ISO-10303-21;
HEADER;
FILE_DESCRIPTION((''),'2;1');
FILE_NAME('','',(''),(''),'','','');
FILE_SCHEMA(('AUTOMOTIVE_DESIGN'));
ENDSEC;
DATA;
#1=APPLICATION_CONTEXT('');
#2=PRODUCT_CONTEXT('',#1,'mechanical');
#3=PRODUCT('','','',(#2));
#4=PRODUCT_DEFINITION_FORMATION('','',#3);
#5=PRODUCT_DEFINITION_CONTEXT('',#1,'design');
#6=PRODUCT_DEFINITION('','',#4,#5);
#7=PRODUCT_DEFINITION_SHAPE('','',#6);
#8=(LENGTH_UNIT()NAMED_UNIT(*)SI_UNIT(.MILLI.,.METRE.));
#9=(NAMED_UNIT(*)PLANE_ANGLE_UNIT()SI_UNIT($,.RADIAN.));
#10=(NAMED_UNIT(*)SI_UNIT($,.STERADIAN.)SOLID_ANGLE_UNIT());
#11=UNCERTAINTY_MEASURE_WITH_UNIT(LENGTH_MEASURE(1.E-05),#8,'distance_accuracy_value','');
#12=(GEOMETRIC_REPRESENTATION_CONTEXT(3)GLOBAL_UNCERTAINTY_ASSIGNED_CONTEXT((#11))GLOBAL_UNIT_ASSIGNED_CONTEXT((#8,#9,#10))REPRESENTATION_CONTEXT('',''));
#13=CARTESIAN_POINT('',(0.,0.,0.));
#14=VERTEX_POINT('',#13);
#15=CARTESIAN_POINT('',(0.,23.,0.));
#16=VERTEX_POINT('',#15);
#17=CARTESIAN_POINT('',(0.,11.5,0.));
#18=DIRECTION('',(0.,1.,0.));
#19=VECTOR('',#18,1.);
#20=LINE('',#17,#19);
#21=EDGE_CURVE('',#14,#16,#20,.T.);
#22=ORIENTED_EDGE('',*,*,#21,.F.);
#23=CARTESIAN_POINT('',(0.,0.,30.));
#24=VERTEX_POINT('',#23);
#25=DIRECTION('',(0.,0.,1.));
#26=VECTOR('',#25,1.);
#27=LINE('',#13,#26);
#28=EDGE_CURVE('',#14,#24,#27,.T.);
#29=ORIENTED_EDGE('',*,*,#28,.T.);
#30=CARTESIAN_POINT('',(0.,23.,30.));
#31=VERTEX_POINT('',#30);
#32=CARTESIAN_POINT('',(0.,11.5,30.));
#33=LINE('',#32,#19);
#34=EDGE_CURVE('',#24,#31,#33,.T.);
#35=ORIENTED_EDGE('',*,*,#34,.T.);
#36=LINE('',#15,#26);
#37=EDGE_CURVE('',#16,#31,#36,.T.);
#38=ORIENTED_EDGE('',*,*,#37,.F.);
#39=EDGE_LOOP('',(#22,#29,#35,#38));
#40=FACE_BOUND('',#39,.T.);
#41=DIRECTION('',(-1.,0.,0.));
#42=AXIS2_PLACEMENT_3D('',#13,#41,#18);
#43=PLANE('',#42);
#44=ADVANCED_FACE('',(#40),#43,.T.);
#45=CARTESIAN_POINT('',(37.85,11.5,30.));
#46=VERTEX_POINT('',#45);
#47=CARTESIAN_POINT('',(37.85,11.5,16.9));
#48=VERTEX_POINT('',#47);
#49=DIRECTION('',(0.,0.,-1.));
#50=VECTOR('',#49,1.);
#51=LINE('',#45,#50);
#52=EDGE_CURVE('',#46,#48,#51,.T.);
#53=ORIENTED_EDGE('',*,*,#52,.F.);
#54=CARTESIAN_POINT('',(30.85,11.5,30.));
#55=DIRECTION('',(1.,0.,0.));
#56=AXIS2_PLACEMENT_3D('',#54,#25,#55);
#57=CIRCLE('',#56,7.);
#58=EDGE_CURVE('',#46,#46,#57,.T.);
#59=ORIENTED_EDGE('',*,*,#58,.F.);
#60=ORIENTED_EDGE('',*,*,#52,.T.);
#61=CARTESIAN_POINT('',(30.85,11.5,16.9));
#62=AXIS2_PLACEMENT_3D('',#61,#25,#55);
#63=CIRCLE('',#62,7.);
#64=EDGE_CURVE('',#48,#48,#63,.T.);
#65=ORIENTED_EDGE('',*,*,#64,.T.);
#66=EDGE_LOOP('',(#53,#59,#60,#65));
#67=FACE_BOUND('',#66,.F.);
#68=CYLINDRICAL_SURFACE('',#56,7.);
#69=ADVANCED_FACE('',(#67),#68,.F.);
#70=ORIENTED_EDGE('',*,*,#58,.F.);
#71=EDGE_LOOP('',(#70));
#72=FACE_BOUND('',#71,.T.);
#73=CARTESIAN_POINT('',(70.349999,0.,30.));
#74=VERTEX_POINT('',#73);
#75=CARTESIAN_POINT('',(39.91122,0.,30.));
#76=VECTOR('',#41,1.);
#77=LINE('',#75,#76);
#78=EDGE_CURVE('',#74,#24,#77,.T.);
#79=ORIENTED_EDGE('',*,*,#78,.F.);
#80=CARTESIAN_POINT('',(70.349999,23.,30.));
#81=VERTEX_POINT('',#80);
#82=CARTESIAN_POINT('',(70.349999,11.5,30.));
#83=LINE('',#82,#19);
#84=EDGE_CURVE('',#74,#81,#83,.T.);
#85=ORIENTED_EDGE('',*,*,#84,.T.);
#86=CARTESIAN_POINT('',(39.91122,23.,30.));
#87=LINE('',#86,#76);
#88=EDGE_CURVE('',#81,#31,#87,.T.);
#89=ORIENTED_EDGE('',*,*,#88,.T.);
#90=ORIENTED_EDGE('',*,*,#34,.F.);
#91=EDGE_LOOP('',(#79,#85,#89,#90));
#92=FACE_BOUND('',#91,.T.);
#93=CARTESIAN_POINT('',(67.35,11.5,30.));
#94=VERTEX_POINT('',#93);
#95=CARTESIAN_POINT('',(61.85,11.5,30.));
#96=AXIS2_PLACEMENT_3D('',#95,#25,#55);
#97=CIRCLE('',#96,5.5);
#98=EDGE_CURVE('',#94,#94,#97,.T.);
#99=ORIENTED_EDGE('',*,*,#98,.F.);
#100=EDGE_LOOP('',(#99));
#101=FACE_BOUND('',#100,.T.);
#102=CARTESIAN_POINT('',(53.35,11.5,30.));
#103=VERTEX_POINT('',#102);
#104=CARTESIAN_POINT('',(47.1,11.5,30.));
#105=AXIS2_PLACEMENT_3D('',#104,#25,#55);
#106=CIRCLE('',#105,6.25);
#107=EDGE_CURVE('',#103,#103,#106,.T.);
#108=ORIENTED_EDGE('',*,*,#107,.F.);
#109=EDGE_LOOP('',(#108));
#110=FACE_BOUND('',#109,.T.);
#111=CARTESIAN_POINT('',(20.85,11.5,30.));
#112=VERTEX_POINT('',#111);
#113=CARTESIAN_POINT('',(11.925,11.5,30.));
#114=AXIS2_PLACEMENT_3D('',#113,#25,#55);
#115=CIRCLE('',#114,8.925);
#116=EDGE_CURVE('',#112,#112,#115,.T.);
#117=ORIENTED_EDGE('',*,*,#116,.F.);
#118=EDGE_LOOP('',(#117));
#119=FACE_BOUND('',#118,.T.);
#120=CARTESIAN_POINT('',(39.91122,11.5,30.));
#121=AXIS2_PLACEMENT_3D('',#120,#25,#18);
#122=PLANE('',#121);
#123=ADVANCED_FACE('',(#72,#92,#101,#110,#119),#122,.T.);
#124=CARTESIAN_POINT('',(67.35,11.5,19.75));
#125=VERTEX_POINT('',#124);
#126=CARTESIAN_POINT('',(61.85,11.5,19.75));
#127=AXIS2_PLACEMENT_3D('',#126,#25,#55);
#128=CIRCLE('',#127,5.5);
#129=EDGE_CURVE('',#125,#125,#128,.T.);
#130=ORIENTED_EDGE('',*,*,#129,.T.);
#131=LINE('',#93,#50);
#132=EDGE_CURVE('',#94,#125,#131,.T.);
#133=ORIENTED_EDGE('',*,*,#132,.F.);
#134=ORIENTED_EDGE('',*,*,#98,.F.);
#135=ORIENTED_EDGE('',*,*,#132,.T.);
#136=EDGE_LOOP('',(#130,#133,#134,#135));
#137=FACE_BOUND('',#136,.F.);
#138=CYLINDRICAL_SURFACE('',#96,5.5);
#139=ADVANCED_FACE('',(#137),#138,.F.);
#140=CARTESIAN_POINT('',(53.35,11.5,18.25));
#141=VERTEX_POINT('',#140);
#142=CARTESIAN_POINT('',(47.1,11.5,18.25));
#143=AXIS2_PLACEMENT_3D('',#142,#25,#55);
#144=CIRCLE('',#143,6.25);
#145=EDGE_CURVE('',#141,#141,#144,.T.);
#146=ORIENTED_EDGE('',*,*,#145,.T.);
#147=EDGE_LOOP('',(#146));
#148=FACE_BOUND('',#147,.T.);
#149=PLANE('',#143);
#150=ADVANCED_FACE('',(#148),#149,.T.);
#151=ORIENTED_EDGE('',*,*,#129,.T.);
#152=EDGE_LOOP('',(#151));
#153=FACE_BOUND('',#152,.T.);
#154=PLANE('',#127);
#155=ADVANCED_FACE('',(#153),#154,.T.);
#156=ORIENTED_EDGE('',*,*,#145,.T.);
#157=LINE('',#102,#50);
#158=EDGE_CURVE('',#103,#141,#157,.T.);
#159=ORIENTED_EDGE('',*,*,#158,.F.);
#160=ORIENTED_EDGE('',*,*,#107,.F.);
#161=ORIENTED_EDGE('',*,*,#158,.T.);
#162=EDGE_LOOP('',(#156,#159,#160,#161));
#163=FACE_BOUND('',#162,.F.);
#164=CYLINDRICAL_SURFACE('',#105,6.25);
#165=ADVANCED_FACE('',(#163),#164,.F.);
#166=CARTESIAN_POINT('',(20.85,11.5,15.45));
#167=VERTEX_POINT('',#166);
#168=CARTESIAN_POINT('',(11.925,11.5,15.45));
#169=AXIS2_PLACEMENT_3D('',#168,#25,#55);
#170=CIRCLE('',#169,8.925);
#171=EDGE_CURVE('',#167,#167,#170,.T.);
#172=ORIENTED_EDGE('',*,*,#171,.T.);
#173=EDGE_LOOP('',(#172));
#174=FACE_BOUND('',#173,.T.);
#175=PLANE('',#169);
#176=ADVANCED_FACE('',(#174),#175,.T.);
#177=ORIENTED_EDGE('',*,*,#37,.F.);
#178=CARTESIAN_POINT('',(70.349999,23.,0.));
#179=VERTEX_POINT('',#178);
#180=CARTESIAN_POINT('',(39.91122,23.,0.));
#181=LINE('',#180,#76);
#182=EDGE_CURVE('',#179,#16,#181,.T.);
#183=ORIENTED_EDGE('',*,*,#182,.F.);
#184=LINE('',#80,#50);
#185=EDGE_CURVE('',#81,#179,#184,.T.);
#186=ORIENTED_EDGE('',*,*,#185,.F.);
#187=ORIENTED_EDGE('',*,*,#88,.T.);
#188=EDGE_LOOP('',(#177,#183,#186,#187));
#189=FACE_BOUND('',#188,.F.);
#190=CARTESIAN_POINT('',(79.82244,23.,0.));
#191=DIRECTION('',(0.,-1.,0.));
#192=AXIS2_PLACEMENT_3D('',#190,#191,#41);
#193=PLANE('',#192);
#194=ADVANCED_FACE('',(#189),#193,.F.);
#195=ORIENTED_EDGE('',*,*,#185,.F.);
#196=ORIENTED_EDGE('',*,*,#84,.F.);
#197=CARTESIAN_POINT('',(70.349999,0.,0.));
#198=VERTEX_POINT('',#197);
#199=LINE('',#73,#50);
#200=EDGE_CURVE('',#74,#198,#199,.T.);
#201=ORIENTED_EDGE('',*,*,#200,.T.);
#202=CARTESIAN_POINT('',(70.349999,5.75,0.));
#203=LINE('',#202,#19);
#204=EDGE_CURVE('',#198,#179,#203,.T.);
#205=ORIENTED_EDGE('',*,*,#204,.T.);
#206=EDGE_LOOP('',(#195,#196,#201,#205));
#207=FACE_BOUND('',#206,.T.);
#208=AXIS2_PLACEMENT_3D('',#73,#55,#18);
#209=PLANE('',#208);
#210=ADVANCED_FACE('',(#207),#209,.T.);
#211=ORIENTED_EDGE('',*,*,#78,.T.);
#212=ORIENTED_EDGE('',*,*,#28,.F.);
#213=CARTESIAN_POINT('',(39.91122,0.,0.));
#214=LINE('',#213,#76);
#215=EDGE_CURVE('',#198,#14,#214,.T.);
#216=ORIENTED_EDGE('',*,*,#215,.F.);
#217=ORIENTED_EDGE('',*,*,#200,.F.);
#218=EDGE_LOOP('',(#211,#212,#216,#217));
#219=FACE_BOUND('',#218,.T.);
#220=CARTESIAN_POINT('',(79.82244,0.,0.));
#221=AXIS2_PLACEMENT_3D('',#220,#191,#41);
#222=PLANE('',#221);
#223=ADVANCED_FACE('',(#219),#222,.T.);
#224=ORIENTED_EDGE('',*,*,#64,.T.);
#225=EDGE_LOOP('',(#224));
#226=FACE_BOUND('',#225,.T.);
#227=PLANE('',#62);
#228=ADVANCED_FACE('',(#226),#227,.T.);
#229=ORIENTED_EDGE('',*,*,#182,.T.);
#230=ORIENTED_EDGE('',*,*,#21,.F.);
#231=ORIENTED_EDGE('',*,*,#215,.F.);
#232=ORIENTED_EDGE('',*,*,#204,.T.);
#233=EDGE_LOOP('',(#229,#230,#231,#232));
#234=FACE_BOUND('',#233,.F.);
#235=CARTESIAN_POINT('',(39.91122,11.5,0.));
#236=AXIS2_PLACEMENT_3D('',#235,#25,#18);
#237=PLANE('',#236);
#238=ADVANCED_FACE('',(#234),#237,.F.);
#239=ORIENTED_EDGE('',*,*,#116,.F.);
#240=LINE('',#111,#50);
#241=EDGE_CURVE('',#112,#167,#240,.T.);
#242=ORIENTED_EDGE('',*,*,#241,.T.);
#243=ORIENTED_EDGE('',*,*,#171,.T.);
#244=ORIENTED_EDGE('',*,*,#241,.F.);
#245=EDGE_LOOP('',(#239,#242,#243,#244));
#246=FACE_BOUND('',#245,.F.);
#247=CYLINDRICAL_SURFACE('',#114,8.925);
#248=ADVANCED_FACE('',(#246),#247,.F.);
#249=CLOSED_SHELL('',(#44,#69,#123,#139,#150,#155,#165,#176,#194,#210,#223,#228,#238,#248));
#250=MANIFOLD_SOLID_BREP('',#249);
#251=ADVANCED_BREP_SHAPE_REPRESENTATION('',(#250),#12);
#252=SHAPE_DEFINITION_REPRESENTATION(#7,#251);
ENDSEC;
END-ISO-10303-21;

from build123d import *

# Parameters (mm, degrees)
SKETCH006_W      = 9.472441
SKETCH006_H      = 23
EXTRUDE005_DEPTH = 40
SKETCH005_R      = 5.5
EXTRUDE004_DEPTH = 10.25
SKETCH004_R      = 6.25
EXTRUDE003_DEPTH = 11.75
SKETCH003_R      = 7
EXTRUDE002_DEPTH = 13.1
SKETCH002_R      = 8.925
EXTRUDE001_DEPTH = 14.55
FACE_W           = 23
FACE_H           = 79.822441
EXTRUDE_DEPTH    = 30


with BuildPart() as extrude005:
    # Sketch006 (on Face5 of Cut003) → Extrude005 (new body)
    with BuildSketch(Plane.XY.offset(30)):
        with Locations((75.08622, 11.5)):
            Rectangle(SKETCH006_W, SKETCH006_H)
    extrude(amount=-EXTRUDE005_DEPTH)


with BuildPart() as extrude004:
    # Sketch005 (on Face5 of Cut002) → Extrude004 (new body)
    with BuildSketch(Plane.XY.offset(30)):
        with Locations((61.85, 11.5)):
            Circle(SKETCH005_R)
    extrude(amount=-EXTRUDE004_DEPTH)


with BuildPart() as extrude003:
    # Sketch004 (on Face5 of Cut001) → Extrude003 (new body)
    with BuildSketch(Plane.XY.offset(30)):
        with Locations((47.1, 11.5)):
            Circle(SKETCH004_R)
    extrude(amount=-EXTRUDE003_DEPTH)


with BuildPart() as extrude002:
    # Sketch003 (on Face5 of Cut) → Extrude002 (new body)
    with BuildSketch(Plane.XY.offset(30)):
        with Locations((30.85, 11.5)):
            Circle(SKETCH003_R)
    extrude(amount=-EXTRUDE002_DEPTH)


with BuildPart() as extrude001:
    # Sketch002 (on Face6 of Extrude) → Extrude001 (new body)
    with BuildSketch(Plane.XY.offset(30)):
        with Locations((11.925, 11.5)):
            Circle(SKETCH002_R)
    extrude(amount=-EXTRUDE001_DEPTH)


with BuildPart() as cut004:
    # Face → Extrude (new body)
    with BuildSketch(Plane(origin=(39.91122, 11.5, 0), x_dir=(0, 1, 0), z_dir=(0, 0, 1))):
        with Locations((0, 0)):
            Rectangle(FACE_W, FACE_H)
    extrude(amount=EXTRUDE_DEPTH)

    # Cut: cut Extrude001
    add(extrude001.part, mode=Mode.SUBTRACT)

    # Cut001: cut Extrude002
    add(extrude002.part, mode=Mode.SUBTRACT)

    # Cut002: cut Extrude003
    add(extrude003.part, mode=Mode.SUBTRACT)

    # Cut003: cut Extrude004
    add(extrude004.part, mode=Mode.SUBTRACT)

    # Cut004: cut Extrude005
    add(extrude005.part, mode=Mode.SUBTRACT)


solid = cut004.part
